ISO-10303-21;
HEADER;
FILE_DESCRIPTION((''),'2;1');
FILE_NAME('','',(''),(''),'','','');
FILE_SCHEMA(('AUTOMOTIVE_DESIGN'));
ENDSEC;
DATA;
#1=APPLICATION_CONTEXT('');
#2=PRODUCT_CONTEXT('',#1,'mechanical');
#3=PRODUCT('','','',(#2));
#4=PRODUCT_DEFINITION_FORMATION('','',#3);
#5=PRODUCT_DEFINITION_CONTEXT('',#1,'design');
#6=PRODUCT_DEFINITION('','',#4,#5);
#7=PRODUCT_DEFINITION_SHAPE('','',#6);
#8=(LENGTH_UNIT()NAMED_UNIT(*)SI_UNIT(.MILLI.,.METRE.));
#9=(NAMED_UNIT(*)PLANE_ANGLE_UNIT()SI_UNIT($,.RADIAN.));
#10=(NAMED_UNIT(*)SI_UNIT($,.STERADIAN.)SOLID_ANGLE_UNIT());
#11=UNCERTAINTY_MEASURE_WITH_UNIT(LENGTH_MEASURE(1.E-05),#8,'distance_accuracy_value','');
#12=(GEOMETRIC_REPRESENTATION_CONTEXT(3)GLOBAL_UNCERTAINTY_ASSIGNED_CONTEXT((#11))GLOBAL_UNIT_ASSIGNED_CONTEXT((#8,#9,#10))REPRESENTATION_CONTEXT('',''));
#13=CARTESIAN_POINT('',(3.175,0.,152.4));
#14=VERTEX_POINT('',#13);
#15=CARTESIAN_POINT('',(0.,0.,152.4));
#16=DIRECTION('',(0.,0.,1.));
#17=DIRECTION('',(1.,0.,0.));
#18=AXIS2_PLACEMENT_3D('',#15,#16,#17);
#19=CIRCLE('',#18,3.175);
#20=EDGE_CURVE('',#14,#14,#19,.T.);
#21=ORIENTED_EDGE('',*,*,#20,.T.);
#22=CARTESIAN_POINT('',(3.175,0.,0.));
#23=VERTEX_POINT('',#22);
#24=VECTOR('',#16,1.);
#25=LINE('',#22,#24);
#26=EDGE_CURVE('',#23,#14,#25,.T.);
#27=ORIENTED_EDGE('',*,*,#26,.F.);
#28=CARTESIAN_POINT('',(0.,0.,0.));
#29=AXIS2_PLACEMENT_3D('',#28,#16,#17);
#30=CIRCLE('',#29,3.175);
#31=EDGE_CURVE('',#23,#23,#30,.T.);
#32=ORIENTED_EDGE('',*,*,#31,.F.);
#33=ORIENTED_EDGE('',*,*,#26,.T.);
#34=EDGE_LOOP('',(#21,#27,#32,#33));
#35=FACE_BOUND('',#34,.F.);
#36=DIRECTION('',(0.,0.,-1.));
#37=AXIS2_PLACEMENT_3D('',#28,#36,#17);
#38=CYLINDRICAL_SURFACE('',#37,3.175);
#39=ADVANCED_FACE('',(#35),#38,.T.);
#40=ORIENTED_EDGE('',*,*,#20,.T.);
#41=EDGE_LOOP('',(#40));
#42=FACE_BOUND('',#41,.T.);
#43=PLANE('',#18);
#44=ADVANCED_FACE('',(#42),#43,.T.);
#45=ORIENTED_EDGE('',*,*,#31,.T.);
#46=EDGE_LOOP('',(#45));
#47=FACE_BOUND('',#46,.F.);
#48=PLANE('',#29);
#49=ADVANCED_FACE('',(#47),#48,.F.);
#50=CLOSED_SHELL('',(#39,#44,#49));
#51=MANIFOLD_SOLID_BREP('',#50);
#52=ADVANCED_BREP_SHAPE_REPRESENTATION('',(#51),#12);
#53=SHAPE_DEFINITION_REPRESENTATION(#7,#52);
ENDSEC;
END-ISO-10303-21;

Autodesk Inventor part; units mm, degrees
ref_plane "YZ Plane" through (0, 0, 0) normal (1, 0, 0) x (0, 1, 0)
ref_plane "XZ Plane" through (0, 0, 0) normal (0, 1, 0) x (-1, 0, 0)
ref_plane "XY Plane" through (0, 0, 0) normal (0, 0, 1) x (1, 0, 0)
sketch "Sketch1" plane through (0, 0, 0) normal (0, 0, 1) x (1, 0, 0)
  circle A0 centre (0, 0) radius 3.175
  dimension "d0" = 6.35
extrude "Extrusion1" add sketch "Sketch1" along normal blind 152.4
equation "\"d0\" = turntable_retention_shaft_diameter"
equation "\"d1\" = turntable_retention_shaft_length"
equation "\"base_length\" = 177.8"
equation "\"base_width\" = 127"
equation "\"base_height\" = 12.7"
equation "\"base_cutout_contact_angle\" = 70deg"
equation "\"base_cutout_diameter\" = 44.45"
equation "\"turntable_motor_support_thickness\" = 3.175"
equation "\"turntable_motor_support_width\" = 63.5"
equation "\"turntable_motor_support_height\" = 25.4"
equation "\"turntable_motor_boss\" = 25.4"
equation "\"turntable_bed_depth\" = 0"
equation "\"turntable_diameter\" = 101.6"
equation "\"turntable_height\" = 9.525"
equation "\"turntable_spur_width\" = 6.35"
equation "\"turntable_retention_shaft_diameter\" = 6.35"
equation "\"spine_diameter\" = 31.75"
equation "\"spine_height\" = 25.4"
equation "\"shoulder_length\" = 50.8"
equation "\"shoulder_width\" = 69.85"
equation "\"shoulder_wall_thickness\" = 4.7625"
equation "\"shoulder_gear_diameter\" = 63.5"
equation "\"shoulder_motor_gear_diameter\" = 25.4"
equation "\"shoulder_gear_shaft_diameter\" = 12.7"
equation "\"shoulder_motor_boss\" = 25.4"
equation "\"turntable_retention_shaft_length\" = 152.4"
equation "\"arm_distal_length\" = 152.4"
equation "\"arm_proximal_central_diameter\" = 25.4"
equation "\"arm_proximal_length\" = 203.2"
equation "\"shoulder_gear_thickness\" = 6.35"
equation "\"arm_proximal_thickness\" = 9.525"
equation "\"arm_proximal_motor_boss\" = 25.4"
equation "\"turntable_ring_height\" = 9.525"
equation "\"turntable_ring_diameter\" = 19.05"
properties part number "turntable_retention_shaft"
